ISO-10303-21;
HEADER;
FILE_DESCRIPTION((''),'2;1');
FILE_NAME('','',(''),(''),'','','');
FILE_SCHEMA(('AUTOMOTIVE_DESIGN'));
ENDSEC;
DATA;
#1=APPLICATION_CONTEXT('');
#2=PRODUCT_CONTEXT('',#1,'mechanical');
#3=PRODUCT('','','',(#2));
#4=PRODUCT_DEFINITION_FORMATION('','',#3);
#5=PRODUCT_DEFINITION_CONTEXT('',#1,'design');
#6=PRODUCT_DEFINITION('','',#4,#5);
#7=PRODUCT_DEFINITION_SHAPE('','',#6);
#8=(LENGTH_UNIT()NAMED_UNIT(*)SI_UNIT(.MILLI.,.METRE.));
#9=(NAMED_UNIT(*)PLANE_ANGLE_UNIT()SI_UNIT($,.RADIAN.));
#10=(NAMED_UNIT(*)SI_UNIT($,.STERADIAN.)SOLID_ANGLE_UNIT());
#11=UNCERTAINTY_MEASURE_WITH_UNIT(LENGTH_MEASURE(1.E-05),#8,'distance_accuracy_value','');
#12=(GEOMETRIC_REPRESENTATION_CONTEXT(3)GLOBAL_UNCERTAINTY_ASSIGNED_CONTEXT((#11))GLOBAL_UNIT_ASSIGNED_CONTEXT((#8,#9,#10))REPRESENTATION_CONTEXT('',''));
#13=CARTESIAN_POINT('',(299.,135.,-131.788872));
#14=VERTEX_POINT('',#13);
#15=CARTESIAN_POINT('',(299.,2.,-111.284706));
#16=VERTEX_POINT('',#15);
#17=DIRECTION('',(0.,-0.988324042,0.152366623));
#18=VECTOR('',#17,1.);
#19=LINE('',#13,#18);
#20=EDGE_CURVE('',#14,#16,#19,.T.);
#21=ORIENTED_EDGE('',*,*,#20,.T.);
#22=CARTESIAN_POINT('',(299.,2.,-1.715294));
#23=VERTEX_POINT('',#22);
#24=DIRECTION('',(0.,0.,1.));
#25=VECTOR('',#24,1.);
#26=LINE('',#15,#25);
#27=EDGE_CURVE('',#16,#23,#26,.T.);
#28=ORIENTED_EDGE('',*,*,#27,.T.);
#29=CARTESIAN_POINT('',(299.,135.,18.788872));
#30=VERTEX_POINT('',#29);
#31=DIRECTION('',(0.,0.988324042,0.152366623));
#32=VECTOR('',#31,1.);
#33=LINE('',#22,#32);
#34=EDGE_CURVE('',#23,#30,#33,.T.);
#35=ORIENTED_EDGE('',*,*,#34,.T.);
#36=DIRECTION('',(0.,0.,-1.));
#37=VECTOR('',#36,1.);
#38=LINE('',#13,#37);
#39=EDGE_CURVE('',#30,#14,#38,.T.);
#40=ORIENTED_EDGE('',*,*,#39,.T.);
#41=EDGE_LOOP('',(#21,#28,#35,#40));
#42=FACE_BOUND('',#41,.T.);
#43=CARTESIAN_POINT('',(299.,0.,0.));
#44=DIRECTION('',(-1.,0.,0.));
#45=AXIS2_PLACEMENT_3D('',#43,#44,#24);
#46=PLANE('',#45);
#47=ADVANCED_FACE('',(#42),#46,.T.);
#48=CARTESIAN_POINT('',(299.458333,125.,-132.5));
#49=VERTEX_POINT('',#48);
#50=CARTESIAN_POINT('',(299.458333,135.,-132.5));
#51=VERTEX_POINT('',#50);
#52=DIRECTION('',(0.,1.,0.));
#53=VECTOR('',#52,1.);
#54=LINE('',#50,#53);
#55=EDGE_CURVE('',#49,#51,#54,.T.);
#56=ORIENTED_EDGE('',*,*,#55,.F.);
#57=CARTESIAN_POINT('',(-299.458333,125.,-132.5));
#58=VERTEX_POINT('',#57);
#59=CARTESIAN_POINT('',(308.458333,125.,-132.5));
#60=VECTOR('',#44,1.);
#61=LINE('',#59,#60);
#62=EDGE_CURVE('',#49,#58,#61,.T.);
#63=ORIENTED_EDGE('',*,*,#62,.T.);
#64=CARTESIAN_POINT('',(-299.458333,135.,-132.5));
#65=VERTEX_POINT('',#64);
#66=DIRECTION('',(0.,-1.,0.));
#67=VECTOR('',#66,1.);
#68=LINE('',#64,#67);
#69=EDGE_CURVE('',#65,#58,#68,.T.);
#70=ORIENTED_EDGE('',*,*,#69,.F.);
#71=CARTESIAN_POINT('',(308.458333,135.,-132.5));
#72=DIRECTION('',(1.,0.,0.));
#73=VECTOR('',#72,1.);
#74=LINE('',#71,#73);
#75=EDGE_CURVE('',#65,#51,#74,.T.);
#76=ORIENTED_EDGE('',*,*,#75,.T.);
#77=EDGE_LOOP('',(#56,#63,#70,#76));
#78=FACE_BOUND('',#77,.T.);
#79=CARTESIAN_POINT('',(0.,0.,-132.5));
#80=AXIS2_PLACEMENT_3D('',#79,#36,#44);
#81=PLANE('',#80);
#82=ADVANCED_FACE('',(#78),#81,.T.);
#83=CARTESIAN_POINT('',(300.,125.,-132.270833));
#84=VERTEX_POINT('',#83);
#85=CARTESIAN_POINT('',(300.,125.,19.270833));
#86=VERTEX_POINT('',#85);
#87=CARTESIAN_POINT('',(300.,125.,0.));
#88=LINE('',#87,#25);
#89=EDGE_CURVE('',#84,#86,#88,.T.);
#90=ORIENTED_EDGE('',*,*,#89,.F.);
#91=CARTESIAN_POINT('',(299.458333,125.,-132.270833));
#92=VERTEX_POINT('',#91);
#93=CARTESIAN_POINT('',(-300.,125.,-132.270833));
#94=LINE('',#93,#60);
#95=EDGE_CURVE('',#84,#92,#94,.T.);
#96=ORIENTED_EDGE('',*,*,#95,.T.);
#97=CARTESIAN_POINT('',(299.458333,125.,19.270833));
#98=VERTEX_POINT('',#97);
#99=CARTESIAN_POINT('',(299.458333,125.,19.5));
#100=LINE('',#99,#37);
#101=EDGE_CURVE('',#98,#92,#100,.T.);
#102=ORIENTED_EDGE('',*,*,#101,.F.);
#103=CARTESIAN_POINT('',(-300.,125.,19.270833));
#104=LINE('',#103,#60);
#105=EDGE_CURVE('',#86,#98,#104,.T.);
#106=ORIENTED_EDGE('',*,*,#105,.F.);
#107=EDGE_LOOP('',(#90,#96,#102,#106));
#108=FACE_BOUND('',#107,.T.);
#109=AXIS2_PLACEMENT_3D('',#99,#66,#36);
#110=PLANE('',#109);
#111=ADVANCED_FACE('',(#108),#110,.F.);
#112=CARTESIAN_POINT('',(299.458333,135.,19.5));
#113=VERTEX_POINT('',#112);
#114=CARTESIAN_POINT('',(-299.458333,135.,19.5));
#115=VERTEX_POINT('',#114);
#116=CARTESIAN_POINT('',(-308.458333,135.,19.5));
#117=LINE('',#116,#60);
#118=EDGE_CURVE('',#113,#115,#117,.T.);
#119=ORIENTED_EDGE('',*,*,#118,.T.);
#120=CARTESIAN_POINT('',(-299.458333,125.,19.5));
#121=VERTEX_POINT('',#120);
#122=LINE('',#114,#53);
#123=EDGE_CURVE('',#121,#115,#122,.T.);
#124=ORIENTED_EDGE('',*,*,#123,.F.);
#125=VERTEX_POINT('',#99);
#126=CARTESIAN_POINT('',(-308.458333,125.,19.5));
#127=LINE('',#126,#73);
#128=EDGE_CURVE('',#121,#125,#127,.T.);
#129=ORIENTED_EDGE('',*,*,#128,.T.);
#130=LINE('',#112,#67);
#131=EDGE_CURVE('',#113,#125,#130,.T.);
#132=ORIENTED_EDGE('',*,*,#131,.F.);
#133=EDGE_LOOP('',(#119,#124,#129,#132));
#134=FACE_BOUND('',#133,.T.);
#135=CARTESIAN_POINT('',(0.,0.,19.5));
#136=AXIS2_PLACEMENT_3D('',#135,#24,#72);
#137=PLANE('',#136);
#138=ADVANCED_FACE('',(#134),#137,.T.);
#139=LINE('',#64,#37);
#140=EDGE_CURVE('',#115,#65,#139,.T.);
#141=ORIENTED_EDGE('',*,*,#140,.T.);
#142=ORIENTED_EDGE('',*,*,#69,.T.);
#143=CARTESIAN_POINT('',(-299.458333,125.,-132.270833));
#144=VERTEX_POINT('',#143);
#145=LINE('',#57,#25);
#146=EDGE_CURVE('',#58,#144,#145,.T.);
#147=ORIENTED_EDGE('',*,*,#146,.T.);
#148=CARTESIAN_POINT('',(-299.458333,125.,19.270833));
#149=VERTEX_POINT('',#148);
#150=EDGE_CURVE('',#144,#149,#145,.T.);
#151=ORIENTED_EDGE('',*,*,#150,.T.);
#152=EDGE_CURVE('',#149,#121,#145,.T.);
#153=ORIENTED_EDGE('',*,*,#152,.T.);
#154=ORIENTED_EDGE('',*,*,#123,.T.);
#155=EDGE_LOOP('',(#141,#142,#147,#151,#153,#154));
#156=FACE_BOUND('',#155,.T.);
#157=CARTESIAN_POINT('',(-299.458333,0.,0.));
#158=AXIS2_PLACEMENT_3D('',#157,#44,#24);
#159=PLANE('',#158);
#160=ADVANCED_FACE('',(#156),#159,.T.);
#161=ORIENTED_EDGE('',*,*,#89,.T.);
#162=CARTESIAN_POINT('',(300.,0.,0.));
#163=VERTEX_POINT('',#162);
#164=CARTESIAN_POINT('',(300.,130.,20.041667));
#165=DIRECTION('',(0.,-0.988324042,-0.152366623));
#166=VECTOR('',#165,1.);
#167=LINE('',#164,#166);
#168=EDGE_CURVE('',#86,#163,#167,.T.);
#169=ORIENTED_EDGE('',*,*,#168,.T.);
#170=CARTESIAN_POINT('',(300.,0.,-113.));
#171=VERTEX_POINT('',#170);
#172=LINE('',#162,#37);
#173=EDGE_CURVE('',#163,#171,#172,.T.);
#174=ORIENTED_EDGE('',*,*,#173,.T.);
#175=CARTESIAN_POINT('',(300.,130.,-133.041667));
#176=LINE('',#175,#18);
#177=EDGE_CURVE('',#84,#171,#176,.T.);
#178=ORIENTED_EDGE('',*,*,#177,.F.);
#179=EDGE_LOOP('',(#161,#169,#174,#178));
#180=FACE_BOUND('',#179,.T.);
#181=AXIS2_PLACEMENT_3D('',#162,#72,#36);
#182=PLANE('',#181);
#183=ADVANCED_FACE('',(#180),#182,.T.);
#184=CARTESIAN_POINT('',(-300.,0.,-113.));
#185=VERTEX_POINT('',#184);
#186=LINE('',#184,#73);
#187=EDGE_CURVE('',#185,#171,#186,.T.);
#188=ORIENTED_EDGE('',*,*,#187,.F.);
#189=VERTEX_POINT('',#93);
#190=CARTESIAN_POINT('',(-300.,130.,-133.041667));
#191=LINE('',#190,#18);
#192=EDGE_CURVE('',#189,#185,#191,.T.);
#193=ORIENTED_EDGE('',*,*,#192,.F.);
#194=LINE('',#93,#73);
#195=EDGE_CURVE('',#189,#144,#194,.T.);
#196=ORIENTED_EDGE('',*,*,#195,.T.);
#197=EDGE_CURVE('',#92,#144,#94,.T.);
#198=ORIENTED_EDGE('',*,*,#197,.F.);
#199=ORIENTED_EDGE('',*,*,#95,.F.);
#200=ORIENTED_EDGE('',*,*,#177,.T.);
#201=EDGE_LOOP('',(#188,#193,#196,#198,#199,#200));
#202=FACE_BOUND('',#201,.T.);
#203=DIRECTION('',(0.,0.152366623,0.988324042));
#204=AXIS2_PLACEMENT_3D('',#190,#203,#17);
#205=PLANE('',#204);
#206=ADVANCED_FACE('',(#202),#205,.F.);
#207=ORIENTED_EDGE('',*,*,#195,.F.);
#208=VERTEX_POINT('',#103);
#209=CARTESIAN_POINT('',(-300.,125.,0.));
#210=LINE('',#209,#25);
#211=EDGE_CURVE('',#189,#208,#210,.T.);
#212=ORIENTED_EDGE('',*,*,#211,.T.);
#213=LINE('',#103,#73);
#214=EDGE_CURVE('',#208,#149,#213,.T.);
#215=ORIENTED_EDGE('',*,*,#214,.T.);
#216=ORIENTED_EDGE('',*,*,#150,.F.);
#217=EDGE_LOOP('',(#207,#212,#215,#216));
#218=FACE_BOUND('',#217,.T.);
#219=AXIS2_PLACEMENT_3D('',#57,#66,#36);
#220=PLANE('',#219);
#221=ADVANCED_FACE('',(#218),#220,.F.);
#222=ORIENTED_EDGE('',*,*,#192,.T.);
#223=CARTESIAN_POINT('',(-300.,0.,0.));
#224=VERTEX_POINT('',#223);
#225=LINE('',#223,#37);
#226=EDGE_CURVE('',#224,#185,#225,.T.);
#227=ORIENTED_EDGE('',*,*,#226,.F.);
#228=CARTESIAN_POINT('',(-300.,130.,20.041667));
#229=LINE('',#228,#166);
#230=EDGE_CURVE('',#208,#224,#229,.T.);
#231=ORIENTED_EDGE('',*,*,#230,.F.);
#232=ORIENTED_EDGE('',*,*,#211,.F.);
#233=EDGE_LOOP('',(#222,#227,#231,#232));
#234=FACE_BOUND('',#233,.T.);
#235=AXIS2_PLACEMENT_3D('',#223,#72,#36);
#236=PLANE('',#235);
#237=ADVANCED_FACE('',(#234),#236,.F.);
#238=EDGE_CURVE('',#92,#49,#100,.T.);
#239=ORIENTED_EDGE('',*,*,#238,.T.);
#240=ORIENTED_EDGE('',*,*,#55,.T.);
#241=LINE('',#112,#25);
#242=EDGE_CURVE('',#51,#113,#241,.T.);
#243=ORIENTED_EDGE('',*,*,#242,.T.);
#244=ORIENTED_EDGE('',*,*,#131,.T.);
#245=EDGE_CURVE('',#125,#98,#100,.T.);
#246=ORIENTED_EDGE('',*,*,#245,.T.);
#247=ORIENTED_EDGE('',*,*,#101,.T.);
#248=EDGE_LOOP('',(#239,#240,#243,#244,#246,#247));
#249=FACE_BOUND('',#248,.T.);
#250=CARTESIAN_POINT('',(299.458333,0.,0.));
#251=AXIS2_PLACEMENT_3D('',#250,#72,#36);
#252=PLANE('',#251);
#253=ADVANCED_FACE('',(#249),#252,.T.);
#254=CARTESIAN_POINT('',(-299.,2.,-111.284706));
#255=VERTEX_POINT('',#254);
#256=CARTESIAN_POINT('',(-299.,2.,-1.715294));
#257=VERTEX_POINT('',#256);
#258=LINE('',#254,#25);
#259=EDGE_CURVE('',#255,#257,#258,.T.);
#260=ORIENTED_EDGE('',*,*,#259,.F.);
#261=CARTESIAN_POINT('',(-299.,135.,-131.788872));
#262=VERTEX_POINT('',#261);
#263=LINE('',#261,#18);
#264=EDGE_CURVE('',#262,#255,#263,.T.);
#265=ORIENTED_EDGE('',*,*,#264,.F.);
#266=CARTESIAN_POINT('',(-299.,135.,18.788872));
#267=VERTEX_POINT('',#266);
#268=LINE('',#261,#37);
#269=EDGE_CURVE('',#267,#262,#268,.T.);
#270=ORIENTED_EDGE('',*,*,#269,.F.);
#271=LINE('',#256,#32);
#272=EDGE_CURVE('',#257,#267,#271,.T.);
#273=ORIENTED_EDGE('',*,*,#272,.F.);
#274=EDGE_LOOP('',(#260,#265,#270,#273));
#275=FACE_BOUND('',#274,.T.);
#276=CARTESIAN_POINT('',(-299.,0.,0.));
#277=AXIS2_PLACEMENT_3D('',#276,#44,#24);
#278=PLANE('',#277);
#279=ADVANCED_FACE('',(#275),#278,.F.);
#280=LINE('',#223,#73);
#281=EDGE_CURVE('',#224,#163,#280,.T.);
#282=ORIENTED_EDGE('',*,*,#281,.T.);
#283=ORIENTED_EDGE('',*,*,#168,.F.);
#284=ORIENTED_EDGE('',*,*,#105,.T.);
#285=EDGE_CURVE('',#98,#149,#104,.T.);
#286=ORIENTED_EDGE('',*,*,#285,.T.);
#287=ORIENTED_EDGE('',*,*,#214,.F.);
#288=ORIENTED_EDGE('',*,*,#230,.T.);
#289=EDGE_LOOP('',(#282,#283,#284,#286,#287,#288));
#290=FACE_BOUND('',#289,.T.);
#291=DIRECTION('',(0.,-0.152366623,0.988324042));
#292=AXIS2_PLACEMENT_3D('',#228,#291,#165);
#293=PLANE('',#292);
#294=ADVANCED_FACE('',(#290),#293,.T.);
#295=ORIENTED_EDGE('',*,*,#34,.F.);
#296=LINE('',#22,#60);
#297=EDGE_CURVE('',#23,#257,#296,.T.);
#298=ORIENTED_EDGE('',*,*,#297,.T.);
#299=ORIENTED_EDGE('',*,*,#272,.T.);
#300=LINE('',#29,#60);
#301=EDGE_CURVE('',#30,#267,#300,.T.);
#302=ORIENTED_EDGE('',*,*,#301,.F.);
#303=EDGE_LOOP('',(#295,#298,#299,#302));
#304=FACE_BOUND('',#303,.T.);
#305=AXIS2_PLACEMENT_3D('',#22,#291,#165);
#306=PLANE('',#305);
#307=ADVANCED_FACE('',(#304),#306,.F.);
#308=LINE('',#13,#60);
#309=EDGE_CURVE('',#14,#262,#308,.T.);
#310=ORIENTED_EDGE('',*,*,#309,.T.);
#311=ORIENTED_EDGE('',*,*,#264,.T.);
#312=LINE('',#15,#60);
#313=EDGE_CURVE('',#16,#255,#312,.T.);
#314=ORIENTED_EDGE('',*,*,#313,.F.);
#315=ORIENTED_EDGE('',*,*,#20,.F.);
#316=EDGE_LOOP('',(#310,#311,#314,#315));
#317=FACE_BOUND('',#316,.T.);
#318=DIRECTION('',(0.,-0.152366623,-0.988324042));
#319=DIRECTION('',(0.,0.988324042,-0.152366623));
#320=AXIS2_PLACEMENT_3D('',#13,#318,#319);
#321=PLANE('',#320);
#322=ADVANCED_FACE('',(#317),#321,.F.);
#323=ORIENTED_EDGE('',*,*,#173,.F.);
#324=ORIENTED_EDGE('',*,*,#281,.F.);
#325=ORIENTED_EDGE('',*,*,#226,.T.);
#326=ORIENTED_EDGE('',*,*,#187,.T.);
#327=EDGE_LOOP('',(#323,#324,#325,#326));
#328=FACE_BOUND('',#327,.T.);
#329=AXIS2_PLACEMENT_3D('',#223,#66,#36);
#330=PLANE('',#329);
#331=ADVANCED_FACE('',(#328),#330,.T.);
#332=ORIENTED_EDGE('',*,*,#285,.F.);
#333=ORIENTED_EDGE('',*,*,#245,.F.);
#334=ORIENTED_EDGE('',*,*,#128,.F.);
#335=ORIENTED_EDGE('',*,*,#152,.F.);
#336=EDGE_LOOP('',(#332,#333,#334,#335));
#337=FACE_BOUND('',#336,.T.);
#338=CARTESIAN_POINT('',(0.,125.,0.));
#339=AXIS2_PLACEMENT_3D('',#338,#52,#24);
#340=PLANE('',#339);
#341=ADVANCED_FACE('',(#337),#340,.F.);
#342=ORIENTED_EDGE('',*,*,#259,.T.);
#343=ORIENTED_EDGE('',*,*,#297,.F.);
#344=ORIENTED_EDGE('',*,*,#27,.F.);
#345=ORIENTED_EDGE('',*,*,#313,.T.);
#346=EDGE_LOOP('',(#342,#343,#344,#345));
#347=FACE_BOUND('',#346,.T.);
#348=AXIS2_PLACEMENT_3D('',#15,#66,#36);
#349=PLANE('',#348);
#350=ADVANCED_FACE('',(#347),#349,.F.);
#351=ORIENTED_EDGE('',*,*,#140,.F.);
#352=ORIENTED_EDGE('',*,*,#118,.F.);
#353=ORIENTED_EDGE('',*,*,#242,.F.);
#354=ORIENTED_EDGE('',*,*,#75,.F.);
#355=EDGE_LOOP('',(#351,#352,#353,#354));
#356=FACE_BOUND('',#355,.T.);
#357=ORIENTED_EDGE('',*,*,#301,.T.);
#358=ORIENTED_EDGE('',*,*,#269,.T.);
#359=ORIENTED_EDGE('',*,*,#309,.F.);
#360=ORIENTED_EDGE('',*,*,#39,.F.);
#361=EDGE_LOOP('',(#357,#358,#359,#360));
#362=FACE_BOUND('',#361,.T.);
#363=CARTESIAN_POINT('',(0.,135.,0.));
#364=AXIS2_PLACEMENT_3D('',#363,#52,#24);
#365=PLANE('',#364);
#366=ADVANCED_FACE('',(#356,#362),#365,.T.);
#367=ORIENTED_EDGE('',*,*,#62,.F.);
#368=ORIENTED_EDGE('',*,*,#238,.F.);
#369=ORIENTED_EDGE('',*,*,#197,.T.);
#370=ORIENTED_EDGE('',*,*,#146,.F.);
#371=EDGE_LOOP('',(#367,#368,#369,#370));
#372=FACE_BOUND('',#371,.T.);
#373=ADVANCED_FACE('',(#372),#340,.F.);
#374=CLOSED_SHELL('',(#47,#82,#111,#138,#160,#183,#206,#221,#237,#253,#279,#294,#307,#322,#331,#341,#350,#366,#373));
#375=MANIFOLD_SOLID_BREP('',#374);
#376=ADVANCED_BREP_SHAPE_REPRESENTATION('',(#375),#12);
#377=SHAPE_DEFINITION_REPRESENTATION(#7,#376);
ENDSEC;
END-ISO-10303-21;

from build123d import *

# Parameters (mm, degrees)
BOSS_EXTRUDE1_DEPTH = 300
SKETCH2_W           = 616.91666666
SKETCH2_H           = 169.999999994
BOSS_EXTRUDE2_DEPTH = 5
CUT_EXTRUDE1_START  = -300
CUT_EXTRUDE1_DEPTH  = 299
SKETCH4_W           = 616.91666666
SKETCH4_H           = 10
CUT_EXTRUDE2_DEPTH  = 9
SKETCH5_W           = 616.91666666
SKETCH5_H           = 10
CUT_EXTRUDE3_DEPTH  = 9
SKETCH6_W           = 151.999999994
SKETCH6_H           = 10
CUT_EXTRUDE4_DEPTH  = 9
SKETCH7_W           = 151.999999994
SKETCH7_H           = 10
CUT_EXTRUDE5_DEPTH  = 9


with BuildPart() as part:
    # Sketch1 → Boss-Extrude1 (new, symmetric)
    with BuildSketch(Plane(origin=(0, 0, 0), x_dir=(0, 0, -1), z_dir=(1, 0, 0))):
        Polygon((0, 0), (113, 0), (133.041666667, 130), (-20.041666667, 130), align=None)
    extrude(amount=BOSS_EXTRUDE1_DEPTH, both=True)

    # Sketch2 → Boss-Extrude2 (add, symmetric)
    with BuildSketch(Plane(origin=(0, 130, 0), x_dir=(1, 0, 0), z_dir=(0, 1, 0))):
        with Locations((0, 56.5)):
            Rectangle(SKETCH2_W, SKETCH2_H)
    extrude(amount=BOSS_EXTRUDE2_DEPTH, both=True)

    # Sketch3 → Cut-Extrude1 (cut, symmetric)
    with BuildSketch(Plane.ZY.offset(300).offset(CUT_EXTRUDE1_START)):
        Polygon((-131.788872207, 135), (18.788872207, 135), (-1.71529446, 2), (-111.28470554, 2), align=None)
    extrude(amount=CUT_EXTRUDE1_DEPTH, both=True, mode=Mode.SUBTRACT)

    # Sketch4 → Cut-Extrude2 (cut)
    with BuildSketch(Plane(origin=(0, 0, -141.499999997), x_dir=(-1, 0, 0), z_dir=(0, 0, -1))):
        with Locations((0, 130)):
            Rectangle(SKETCH4_W, SKETCH4_H)
    extrude(amount=-CUT_EXTRUDE2_DEPTH, mode=Mode.SUBTRACT)

    # Sketch5 → Cut-Extrude3 (cut)
    with BuildSketch(Plane.XY.offset(28.499999997)):
        with Locations((0, 130)):
            Rectangle(SKETCH5_W, SKETCH5_H)
    extrude(amount=-CUT_EXTRUDE3_DEPTH, mode=Mode.SUBTRACT)

    # Sketch6 → Cut-Extrude4 (cut)
    with BuildSketch(Plane.ZY.offset(308.45833333)):
        with Locations((-56.5, 130)):
            Rectangle(SKETCH6_W, SKETCH6_H)
    extrude(amount=-CUT_EXTRUDE4_DEPTH, mode=Mode.SUBTRACT)

    # Sketch7 → Cut-Extrude5 (cut)
    with BuildSketch(Plane(origin=(308.45833333, 0, 0), x_dir=(0, 0, -1), z_dir=(1, 0, 0))):
        with Locations((56.5, 130)):
            Rectangle(SKETCH7_W, SKETCH7_H)
    extrude(amount=-CUT_EXTRUDE5_DEPTH, mode=Mode.SUBTRACT)


solid = part.part
